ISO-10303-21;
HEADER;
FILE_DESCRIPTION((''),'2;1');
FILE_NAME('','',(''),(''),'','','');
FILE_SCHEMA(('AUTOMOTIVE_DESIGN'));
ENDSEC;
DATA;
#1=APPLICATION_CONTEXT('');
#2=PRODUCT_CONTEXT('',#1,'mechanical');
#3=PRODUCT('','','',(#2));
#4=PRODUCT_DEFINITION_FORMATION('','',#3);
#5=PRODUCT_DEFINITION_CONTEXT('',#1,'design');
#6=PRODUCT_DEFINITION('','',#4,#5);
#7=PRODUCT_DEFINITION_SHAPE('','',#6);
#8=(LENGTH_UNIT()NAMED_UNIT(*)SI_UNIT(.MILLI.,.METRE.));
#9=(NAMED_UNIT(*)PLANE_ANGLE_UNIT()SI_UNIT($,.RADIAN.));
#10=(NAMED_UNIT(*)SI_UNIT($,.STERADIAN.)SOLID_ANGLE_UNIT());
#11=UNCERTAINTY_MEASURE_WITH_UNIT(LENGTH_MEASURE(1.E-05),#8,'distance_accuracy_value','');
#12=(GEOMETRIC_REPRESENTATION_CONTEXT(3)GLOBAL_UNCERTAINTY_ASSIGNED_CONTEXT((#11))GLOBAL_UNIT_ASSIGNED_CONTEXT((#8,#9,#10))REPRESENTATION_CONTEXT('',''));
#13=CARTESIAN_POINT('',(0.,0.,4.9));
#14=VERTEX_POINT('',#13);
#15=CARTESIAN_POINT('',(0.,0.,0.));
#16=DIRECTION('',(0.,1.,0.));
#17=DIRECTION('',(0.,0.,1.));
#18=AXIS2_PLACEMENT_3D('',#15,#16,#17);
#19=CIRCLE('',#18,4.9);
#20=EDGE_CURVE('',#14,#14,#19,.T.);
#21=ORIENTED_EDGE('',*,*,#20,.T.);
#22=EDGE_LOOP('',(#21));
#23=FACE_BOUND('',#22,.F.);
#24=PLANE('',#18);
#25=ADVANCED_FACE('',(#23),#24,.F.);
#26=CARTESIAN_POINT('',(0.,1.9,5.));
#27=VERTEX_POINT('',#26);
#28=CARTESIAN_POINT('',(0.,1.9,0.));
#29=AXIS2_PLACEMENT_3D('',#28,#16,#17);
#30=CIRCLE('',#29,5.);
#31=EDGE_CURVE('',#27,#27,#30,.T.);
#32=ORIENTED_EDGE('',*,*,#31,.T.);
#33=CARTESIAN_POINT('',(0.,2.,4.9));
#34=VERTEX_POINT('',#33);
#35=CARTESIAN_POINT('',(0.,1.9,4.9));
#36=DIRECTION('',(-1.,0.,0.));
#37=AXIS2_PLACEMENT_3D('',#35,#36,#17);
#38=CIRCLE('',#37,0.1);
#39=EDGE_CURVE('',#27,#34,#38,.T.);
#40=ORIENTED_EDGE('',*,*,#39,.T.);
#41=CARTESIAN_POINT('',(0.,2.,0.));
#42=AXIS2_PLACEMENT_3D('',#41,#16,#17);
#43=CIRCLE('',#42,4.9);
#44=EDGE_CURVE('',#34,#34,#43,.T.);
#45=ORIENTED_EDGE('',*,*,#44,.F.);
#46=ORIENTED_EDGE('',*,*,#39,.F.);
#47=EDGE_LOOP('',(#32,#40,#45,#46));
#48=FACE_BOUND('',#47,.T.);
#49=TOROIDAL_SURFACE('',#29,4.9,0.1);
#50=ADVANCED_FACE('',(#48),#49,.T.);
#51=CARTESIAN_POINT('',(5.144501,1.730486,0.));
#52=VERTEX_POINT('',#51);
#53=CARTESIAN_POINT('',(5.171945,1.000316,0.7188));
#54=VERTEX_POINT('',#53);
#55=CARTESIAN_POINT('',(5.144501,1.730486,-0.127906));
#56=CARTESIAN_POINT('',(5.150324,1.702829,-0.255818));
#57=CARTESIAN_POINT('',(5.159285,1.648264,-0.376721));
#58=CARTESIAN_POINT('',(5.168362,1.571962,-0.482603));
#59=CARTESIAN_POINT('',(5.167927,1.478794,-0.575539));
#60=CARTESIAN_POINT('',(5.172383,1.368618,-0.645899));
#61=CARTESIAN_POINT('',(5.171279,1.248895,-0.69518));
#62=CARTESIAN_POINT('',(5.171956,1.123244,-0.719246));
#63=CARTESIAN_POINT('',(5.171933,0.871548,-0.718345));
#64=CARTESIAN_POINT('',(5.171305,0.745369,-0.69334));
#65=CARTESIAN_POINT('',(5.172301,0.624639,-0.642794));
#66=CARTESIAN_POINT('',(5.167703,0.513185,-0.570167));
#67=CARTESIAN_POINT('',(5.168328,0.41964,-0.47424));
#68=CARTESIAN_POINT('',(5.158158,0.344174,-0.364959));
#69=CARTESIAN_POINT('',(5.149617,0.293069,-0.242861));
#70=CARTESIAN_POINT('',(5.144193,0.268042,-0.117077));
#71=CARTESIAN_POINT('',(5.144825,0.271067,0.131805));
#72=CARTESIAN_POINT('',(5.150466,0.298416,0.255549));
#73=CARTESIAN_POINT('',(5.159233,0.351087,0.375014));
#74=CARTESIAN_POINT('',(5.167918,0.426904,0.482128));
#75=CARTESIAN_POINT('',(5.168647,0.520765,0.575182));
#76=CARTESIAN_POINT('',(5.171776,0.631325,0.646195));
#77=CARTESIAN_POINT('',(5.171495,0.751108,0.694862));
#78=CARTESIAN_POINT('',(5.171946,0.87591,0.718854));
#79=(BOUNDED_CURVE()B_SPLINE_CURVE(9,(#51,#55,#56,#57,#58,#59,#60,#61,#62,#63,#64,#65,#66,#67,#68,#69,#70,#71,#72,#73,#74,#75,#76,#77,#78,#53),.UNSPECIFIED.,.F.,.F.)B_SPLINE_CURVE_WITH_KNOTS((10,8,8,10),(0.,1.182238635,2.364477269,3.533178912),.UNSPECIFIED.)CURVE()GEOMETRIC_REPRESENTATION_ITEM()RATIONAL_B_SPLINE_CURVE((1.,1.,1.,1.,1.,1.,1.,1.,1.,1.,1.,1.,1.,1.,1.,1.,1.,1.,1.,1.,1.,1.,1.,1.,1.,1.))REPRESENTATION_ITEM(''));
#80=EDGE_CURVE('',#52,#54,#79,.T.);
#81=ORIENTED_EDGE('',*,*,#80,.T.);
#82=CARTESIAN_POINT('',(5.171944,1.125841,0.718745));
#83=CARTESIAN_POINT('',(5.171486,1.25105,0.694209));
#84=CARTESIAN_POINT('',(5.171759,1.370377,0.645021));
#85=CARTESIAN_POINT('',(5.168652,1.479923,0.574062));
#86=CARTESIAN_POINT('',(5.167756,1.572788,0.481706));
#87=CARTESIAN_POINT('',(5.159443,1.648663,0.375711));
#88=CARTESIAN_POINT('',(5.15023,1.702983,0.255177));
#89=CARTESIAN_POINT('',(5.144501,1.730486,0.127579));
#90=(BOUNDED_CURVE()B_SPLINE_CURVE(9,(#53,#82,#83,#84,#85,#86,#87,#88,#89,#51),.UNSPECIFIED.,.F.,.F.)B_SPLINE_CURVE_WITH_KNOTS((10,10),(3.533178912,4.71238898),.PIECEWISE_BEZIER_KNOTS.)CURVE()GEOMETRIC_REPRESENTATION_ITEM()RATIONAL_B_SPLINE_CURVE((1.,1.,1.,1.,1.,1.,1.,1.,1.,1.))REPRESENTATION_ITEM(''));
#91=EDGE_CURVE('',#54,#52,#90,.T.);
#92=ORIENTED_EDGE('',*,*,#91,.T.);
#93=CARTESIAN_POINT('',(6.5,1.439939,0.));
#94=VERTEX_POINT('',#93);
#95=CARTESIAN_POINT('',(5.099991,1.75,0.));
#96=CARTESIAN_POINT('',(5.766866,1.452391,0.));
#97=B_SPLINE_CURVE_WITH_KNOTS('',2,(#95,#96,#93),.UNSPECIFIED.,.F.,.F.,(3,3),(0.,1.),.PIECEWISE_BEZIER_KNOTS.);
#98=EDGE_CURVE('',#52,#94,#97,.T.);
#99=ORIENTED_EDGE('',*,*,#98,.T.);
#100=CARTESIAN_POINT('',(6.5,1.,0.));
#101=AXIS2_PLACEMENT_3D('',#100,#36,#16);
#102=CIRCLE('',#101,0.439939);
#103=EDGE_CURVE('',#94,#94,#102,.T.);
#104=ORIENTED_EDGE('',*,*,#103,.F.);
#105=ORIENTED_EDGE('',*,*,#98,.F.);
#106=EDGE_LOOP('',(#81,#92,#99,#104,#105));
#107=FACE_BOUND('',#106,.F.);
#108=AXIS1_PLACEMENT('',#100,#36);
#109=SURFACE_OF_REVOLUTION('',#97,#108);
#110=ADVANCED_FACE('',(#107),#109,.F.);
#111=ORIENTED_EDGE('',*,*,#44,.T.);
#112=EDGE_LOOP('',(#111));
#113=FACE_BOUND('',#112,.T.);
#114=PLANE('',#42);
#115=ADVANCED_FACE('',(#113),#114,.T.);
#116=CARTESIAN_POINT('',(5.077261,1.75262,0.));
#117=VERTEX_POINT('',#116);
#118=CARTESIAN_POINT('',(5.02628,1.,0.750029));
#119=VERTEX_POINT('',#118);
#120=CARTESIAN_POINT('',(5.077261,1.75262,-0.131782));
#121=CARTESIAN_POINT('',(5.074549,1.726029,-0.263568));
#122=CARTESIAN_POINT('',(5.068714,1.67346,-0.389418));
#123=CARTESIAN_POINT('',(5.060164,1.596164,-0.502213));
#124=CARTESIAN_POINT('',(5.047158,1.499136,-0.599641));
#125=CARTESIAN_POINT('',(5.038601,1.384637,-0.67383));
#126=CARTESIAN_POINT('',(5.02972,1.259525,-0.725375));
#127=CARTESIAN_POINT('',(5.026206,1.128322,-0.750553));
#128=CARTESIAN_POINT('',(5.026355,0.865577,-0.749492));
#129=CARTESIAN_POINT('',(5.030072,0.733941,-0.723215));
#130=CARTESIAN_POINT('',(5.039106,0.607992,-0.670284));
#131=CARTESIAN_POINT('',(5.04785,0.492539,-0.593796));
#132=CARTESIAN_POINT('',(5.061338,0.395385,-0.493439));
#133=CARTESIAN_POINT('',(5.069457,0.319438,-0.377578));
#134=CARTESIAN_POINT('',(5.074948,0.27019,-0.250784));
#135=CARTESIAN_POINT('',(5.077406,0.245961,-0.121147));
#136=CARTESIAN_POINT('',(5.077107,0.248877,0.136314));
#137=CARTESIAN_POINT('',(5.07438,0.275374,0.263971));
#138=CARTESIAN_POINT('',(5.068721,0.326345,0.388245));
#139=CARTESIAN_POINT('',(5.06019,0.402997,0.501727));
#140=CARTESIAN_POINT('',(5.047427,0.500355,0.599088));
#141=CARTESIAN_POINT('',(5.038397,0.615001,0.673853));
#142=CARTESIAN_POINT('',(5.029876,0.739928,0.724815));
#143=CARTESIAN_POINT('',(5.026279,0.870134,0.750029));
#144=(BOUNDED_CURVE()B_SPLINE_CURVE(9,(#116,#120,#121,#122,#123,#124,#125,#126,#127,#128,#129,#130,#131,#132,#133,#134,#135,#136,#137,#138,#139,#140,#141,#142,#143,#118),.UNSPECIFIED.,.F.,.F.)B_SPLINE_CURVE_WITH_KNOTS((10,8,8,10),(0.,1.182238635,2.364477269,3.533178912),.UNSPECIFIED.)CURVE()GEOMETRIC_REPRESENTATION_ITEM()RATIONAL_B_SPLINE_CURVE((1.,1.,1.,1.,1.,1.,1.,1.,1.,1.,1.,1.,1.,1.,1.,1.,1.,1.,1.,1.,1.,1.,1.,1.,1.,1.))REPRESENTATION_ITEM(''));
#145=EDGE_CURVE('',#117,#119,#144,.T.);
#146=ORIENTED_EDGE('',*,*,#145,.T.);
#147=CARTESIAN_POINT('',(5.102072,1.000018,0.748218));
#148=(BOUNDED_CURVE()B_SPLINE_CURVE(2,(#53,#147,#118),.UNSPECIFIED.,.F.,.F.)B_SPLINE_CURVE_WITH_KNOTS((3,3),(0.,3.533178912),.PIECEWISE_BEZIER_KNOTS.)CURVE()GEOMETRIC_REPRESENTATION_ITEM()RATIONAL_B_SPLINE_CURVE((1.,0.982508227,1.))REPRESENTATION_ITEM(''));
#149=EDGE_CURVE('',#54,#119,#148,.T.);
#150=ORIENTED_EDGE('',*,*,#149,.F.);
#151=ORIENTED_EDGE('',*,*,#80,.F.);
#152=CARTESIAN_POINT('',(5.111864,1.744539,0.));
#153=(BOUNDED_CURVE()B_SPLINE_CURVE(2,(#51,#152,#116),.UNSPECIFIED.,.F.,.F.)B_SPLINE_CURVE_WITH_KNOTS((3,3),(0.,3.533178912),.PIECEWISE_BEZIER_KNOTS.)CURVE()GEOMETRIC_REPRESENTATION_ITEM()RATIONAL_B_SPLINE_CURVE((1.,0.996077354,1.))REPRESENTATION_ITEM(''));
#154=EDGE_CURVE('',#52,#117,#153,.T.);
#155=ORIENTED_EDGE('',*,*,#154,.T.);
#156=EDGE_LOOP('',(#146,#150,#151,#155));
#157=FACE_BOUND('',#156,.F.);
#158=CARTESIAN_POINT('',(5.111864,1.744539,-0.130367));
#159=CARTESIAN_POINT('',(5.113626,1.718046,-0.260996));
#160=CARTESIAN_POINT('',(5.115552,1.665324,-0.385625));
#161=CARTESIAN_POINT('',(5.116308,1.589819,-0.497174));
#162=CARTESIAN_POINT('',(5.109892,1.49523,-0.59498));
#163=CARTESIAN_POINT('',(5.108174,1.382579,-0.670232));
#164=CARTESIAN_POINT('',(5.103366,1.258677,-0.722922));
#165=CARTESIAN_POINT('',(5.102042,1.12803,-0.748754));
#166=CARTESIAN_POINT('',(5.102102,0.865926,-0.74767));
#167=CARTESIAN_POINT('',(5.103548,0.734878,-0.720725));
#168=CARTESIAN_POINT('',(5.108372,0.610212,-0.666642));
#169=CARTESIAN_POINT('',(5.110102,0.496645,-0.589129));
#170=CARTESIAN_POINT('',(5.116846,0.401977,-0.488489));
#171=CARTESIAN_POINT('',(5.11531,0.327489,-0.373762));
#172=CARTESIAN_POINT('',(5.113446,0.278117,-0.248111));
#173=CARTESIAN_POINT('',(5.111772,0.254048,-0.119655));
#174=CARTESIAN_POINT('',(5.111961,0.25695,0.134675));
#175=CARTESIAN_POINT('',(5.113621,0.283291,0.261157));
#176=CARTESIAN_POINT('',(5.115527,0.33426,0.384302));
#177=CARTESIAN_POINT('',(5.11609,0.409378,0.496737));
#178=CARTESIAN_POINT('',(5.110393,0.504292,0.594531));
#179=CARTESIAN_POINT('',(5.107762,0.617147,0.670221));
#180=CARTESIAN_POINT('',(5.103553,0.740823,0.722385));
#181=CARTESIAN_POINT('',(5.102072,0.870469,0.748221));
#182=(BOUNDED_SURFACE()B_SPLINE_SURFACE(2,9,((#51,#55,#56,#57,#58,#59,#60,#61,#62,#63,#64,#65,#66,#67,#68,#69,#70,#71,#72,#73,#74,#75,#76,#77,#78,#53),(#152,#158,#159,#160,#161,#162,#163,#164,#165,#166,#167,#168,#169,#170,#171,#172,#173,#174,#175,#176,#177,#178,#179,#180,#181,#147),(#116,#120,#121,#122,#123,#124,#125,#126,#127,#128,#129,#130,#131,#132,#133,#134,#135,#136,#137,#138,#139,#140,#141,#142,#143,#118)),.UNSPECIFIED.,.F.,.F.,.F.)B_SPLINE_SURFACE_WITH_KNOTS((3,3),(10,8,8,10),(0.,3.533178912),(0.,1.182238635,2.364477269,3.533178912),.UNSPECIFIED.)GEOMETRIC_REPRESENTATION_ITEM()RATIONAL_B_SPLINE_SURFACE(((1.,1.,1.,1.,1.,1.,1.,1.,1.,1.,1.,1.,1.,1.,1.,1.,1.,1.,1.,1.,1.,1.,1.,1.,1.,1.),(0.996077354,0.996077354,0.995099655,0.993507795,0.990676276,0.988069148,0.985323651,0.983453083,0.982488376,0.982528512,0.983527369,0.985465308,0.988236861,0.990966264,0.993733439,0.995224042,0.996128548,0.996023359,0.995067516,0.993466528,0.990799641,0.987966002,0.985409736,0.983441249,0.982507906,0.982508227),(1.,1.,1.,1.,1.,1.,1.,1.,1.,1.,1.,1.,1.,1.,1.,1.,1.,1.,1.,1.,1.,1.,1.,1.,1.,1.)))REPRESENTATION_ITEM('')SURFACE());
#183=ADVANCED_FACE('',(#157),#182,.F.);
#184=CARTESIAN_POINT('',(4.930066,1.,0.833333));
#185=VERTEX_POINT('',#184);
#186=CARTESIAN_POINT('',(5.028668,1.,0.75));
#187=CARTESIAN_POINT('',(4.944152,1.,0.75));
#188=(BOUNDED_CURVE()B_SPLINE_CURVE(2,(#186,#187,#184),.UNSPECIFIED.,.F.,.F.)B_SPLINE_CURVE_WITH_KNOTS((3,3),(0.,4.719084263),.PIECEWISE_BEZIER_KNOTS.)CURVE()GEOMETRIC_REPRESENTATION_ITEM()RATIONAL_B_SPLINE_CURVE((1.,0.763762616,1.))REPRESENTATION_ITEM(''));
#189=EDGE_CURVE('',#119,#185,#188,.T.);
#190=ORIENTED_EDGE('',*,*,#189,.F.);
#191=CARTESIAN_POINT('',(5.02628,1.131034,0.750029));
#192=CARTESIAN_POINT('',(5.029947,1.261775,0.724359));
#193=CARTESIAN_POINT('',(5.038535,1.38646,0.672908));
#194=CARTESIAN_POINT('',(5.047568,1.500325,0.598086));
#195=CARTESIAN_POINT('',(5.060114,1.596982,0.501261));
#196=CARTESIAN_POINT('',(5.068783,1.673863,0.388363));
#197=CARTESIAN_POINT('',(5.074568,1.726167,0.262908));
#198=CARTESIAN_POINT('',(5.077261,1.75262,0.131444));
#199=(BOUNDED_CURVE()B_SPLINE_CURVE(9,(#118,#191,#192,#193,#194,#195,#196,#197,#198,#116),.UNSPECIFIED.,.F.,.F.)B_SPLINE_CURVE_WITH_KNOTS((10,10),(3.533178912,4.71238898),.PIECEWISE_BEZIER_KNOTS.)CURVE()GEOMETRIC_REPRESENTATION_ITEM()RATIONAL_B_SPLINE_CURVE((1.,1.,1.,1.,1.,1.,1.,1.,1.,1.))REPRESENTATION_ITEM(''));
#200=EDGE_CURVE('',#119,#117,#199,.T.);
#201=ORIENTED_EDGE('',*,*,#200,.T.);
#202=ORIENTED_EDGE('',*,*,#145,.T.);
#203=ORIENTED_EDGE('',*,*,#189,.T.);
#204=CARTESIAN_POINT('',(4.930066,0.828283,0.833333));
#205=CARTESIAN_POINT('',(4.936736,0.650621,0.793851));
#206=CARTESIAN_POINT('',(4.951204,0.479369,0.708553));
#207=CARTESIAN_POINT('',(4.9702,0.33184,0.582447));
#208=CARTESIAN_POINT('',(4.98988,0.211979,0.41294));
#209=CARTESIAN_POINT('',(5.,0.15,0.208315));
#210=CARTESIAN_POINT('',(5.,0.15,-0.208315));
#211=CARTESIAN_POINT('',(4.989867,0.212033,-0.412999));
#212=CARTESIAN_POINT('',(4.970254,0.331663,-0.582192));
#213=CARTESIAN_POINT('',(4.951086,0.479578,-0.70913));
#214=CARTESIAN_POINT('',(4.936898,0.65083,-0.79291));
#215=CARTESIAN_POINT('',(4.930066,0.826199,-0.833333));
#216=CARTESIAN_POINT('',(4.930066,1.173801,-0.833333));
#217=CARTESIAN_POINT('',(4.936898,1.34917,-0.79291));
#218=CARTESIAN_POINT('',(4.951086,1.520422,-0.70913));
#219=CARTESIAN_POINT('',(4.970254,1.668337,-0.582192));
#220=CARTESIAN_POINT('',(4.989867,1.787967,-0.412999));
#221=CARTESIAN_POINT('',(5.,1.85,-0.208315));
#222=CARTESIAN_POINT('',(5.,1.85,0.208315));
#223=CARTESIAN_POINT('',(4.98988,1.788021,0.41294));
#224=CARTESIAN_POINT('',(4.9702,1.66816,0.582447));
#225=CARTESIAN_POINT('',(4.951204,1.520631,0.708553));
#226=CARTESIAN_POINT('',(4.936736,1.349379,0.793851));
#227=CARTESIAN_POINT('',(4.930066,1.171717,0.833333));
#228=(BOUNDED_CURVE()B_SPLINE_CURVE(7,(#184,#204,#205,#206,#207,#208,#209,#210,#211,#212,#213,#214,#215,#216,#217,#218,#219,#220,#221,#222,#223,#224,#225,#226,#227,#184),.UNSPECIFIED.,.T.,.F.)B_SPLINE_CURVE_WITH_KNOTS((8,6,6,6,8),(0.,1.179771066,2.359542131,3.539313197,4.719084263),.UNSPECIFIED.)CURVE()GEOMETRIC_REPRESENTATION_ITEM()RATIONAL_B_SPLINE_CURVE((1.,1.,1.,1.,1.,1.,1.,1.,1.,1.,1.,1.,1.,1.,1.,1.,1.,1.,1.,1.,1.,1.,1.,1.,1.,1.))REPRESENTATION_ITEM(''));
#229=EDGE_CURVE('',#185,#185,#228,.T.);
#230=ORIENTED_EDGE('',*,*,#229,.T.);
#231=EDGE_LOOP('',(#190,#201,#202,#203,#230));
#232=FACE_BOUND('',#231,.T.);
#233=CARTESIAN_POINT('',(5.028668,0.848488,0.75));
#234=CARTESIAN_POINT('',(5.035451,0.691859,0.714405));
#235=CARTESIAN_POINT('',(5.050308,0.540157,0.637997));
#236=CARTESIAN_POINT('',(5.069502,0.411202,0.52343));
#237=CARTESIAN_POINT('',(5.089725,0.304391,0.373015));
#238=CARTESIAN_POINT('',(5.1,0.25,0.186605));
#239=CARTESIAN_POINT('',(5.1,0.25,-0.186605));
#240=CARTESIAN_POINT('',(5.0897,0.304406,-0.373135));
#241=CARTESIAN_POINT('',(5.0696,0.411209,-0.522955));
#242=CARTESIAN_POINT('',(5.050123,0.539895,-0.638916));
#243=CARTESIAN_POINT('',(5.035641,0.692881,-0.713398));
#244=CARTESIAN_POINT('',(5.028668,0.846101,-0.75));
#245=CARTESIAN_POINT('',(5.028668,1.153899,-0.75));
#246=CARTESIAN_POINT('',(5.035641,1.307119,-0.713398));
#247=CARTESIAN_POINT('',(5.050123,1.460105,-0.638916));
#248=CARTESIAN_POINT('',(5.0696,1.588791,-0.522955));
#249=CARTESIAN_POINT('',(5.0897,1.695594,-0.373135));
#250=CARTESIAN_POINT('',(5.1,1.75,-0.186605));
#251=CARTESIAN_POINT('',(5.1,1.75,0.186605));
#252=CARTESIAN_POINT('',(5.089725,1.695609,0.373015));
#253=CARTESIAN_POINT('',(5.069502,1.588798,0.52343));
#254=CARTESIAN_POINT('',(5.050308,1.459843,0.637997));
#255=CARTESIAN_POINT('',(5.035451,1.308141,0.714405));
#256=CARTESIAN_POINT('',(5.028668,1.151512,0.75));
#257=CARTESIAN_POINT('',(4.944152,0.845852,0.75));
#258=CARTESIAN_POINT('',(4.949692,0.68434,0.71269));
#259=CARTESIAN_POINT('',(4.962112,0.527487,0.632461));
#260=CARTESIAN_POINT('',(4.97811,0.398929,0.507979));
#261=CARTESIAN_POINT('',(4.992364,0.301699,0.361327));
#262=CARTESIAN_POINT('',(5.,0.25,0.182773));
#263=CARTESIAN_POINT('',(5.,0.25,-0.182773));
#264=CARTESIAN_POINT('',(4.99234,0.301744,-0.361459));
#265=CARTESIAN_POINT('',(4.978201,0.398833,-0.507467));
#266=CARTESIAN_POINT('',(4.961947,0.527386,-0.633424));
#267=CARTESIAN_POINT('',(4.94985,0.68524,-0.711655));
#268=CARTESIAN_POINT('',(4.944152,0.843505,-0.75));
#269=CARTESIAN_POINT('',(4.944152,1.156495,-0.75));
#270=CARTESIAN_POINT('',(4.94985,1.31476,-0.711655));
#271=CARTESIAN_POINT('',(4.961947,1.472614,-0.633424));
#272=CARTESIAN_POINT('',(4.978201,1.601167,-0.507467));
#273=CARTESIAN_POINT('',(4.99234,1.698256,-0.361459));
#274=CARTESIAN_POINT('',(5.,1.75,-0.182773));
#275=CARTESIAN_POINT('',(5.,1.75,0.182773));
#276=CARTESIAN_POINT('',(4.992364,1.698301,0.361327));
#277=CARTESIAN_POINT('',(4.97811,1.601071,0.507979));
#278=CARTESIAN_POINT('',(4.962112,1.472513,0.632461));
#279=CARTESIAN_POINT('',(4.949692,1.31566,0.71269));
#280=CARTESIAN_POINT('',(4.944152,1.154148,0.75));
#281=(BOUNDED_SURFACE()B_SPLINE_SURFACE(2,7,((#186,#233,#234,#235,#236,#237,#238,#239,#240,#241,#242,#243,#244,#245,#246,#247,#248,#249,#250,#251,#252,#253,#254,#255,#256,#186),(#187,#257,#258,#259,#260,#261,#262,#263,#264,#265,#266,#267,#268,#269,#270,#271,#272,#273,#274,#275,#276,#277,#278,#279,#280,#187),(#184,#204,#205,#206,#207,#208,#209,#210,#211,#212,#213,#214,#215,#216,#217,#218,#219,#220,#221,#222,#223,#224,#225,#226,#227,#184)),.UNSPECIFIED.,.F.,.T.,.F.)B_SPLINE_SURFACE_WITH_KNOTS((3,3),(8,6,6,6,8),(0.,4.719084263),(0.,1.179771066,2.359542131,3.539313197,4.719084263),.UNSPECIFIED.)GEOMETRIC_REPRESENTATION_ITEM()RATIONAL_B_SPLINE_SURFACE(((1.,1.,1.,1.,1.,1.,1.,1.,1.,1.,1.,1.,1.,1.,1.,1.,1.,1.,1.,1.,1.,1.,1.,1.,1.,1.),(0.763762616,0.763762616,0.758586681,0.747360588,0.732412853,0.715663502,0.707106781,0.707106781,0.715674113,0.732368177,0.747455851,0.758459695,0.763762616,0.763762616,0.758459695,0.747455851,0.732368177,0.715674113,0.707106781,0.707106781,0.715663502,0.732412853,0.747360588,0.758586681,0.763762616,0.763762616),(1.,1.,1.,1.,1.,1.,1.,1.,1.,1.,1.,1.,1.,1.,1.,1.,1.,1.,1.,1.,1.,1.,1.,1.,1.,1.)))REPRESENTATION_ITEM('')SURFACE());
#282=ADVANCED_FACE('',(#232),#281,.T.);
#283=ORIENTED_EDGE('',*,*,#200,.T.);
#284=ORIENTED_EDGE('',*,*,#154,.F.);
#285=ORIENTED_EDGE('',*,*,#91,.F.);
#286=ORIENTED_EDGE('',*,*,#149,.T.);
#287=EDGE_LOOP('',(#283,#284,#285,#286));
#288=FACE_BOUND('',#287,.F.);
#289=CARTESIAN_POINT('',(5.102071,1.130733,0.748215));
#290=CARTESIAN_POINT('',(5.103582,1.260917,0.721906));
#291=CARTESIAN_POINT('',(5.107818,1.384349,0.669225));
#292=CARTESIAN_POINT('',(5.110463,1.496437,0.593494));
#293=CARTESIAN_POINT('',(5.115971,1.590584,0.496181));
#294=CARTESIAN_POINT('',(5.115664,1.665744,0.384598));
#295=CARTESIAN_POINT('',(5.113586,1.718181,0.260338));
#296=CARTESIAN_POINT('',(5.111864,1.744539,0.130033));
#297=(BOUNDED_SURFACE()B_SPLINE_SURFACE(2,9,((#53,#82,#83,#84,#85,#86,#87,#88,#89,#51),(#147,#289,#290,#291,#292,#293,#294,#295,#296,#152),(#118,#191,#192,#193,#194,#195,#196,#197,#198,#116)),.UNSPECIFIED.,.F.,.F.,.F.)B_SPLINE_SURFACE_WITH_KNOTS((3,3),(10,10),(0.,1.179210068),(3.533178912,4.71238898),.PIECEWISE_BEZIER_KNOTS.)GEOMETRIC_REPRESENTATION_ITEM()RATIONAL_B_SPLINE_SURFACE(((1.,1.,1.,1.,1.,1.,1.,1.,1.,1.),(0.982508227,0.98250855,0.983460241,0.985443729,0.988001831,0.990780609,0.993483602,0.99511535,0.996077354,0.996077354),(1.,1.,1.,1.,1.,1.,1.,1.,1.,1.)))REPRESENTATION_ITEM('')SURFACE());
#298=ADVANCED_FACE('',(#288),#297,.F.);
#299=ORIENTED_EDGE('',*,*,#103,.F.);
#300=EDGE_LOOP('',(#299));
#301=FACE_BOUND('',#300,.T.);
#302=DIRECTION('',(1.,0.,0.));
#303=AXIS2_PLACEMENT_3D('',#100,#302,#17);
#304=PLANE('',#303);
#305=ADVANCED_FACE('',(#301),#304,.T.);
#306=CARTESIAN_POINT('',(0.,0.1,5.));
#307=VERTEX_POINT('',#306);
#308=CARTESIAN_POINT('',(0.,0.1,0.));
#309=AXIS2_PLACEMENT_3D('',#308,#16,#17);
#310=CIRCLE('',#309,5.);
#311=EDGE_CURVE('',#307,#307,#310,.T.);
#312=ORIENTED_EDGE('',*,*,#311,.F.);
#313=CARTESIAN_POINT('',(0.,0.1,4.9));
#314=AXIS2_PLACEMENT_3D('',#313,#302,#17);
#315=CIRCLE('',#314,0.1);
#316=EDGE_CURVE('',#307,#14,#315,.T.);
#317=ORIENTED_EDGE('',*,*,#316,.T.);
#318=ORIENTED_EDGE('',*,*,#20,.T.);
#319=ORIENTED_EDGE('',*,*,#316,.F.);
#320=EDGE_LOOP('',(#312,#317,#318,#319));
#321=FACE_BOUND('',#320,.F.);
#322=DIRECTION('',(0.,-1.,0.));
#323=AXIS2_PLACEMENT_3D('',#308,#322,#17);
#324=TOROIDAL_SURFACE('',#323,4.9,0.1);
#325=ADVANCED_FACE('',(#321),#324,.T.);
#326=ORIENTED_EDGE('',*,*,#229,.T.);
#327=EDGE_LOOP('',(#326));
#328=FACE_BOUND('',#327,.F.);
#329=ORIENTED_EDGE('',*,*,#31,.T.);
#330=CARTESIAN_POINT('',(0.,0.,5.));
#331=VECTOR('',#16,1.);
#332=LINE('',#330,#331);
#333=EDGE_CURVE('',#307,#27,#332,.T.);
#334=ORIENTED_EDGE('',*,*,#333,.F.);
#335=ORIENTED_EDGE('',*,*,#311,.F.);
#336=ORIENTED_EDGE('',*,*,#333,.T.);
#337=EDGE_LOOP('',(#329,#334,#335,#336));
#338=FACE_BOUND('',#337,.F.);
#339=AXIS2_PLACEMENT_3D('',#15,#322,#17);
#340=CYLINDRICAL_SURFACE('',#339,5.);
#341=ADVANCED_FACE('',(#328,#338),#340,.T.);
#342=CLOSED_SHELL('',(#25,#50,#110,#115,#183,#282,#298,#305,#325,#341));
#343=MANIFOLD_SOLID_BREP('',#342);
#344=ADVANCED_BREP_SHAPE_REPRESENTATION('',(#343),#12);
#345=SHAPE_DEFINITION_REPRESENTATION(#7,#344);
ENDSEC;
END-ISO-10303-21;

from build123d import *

# Parameters (mm, degrees)
SKETCH1_R           = 5
BOSS_EXTRUDE1_DEPTH = 2
SKETCH2_R           = 0.75
BOSS_EXTRUDE2_DEPTH = 6.5
FILLET2_R           = 0.1
FILLET3_R           = 0.4


with BuildPart() as part:
    # Sketch1 → Boss-Extrude1 (new body)
    with BuildSketch(Plane(origin=(0, 0, 0), x_dir=(1, 0, 0), z_dir=(0, 1, 0))):
        with Locations(Location((0, 0, 0), (0, 0, 270))):
            Circle(SKETCH1_R)
    extrude(amount=BOSS_EXTRUDE1_DEPTH)

    # Sketch2 → Boss-Extrude2 (add)
    with BuildSketch(Plane(origin=(0, 0, 0), x_dir=(0, 0, -1), z_dir=(1, 0, 0))):
        with Locations(Location((0, 1, 0), (0, 0, 180))):
            Circle(SKETCH2_R)
    extrude(amount=BOSS_EXTRUDE2_DEPTH)

    # Fillet2
    fillet2_edges = [part.edges().sort_by_distance(p)[0] for p in [
        (0, 0, -5),
        (0, 2, -5),
        (4.943429983, 1, -0.75),
    ]]
    fillet(fillet2_edges, radius=FILLET2_R)

    # Sketch3 → Cut-Revolve1 (revolve, cut)
    with BuildSketch(Plane.XY):
        with BuildLine():
            Line((5.099991295, 1.75), (6.5, 1.75))
            Line((6.5, 1.75), (6.5, 1.439938519))
            add(Edge.make_bspline(
                [(5.099991295, 1.75), (5.766866466, 1.452391497), (6.5, 1.439938519)],
                knots=[0, 0, 0, 1, 1, 1], degree=2))
        make_face()
    revolve(axis=Axis((6.5, 1, 0), (-1, 0, 0)), mode=Mode.SUBTRACT)

    # Fillet3
    fillet3_edges = [part.edges().sort_by_distance(p)[0] for p in [
        (5.099991295, 0.995851942, -0.749988529),
        (5.099991295, 1.004148058, 0.749988529),
    ]]
    fillet(fillet3_edges, radius=FILLET3_R)


solid = part.part
